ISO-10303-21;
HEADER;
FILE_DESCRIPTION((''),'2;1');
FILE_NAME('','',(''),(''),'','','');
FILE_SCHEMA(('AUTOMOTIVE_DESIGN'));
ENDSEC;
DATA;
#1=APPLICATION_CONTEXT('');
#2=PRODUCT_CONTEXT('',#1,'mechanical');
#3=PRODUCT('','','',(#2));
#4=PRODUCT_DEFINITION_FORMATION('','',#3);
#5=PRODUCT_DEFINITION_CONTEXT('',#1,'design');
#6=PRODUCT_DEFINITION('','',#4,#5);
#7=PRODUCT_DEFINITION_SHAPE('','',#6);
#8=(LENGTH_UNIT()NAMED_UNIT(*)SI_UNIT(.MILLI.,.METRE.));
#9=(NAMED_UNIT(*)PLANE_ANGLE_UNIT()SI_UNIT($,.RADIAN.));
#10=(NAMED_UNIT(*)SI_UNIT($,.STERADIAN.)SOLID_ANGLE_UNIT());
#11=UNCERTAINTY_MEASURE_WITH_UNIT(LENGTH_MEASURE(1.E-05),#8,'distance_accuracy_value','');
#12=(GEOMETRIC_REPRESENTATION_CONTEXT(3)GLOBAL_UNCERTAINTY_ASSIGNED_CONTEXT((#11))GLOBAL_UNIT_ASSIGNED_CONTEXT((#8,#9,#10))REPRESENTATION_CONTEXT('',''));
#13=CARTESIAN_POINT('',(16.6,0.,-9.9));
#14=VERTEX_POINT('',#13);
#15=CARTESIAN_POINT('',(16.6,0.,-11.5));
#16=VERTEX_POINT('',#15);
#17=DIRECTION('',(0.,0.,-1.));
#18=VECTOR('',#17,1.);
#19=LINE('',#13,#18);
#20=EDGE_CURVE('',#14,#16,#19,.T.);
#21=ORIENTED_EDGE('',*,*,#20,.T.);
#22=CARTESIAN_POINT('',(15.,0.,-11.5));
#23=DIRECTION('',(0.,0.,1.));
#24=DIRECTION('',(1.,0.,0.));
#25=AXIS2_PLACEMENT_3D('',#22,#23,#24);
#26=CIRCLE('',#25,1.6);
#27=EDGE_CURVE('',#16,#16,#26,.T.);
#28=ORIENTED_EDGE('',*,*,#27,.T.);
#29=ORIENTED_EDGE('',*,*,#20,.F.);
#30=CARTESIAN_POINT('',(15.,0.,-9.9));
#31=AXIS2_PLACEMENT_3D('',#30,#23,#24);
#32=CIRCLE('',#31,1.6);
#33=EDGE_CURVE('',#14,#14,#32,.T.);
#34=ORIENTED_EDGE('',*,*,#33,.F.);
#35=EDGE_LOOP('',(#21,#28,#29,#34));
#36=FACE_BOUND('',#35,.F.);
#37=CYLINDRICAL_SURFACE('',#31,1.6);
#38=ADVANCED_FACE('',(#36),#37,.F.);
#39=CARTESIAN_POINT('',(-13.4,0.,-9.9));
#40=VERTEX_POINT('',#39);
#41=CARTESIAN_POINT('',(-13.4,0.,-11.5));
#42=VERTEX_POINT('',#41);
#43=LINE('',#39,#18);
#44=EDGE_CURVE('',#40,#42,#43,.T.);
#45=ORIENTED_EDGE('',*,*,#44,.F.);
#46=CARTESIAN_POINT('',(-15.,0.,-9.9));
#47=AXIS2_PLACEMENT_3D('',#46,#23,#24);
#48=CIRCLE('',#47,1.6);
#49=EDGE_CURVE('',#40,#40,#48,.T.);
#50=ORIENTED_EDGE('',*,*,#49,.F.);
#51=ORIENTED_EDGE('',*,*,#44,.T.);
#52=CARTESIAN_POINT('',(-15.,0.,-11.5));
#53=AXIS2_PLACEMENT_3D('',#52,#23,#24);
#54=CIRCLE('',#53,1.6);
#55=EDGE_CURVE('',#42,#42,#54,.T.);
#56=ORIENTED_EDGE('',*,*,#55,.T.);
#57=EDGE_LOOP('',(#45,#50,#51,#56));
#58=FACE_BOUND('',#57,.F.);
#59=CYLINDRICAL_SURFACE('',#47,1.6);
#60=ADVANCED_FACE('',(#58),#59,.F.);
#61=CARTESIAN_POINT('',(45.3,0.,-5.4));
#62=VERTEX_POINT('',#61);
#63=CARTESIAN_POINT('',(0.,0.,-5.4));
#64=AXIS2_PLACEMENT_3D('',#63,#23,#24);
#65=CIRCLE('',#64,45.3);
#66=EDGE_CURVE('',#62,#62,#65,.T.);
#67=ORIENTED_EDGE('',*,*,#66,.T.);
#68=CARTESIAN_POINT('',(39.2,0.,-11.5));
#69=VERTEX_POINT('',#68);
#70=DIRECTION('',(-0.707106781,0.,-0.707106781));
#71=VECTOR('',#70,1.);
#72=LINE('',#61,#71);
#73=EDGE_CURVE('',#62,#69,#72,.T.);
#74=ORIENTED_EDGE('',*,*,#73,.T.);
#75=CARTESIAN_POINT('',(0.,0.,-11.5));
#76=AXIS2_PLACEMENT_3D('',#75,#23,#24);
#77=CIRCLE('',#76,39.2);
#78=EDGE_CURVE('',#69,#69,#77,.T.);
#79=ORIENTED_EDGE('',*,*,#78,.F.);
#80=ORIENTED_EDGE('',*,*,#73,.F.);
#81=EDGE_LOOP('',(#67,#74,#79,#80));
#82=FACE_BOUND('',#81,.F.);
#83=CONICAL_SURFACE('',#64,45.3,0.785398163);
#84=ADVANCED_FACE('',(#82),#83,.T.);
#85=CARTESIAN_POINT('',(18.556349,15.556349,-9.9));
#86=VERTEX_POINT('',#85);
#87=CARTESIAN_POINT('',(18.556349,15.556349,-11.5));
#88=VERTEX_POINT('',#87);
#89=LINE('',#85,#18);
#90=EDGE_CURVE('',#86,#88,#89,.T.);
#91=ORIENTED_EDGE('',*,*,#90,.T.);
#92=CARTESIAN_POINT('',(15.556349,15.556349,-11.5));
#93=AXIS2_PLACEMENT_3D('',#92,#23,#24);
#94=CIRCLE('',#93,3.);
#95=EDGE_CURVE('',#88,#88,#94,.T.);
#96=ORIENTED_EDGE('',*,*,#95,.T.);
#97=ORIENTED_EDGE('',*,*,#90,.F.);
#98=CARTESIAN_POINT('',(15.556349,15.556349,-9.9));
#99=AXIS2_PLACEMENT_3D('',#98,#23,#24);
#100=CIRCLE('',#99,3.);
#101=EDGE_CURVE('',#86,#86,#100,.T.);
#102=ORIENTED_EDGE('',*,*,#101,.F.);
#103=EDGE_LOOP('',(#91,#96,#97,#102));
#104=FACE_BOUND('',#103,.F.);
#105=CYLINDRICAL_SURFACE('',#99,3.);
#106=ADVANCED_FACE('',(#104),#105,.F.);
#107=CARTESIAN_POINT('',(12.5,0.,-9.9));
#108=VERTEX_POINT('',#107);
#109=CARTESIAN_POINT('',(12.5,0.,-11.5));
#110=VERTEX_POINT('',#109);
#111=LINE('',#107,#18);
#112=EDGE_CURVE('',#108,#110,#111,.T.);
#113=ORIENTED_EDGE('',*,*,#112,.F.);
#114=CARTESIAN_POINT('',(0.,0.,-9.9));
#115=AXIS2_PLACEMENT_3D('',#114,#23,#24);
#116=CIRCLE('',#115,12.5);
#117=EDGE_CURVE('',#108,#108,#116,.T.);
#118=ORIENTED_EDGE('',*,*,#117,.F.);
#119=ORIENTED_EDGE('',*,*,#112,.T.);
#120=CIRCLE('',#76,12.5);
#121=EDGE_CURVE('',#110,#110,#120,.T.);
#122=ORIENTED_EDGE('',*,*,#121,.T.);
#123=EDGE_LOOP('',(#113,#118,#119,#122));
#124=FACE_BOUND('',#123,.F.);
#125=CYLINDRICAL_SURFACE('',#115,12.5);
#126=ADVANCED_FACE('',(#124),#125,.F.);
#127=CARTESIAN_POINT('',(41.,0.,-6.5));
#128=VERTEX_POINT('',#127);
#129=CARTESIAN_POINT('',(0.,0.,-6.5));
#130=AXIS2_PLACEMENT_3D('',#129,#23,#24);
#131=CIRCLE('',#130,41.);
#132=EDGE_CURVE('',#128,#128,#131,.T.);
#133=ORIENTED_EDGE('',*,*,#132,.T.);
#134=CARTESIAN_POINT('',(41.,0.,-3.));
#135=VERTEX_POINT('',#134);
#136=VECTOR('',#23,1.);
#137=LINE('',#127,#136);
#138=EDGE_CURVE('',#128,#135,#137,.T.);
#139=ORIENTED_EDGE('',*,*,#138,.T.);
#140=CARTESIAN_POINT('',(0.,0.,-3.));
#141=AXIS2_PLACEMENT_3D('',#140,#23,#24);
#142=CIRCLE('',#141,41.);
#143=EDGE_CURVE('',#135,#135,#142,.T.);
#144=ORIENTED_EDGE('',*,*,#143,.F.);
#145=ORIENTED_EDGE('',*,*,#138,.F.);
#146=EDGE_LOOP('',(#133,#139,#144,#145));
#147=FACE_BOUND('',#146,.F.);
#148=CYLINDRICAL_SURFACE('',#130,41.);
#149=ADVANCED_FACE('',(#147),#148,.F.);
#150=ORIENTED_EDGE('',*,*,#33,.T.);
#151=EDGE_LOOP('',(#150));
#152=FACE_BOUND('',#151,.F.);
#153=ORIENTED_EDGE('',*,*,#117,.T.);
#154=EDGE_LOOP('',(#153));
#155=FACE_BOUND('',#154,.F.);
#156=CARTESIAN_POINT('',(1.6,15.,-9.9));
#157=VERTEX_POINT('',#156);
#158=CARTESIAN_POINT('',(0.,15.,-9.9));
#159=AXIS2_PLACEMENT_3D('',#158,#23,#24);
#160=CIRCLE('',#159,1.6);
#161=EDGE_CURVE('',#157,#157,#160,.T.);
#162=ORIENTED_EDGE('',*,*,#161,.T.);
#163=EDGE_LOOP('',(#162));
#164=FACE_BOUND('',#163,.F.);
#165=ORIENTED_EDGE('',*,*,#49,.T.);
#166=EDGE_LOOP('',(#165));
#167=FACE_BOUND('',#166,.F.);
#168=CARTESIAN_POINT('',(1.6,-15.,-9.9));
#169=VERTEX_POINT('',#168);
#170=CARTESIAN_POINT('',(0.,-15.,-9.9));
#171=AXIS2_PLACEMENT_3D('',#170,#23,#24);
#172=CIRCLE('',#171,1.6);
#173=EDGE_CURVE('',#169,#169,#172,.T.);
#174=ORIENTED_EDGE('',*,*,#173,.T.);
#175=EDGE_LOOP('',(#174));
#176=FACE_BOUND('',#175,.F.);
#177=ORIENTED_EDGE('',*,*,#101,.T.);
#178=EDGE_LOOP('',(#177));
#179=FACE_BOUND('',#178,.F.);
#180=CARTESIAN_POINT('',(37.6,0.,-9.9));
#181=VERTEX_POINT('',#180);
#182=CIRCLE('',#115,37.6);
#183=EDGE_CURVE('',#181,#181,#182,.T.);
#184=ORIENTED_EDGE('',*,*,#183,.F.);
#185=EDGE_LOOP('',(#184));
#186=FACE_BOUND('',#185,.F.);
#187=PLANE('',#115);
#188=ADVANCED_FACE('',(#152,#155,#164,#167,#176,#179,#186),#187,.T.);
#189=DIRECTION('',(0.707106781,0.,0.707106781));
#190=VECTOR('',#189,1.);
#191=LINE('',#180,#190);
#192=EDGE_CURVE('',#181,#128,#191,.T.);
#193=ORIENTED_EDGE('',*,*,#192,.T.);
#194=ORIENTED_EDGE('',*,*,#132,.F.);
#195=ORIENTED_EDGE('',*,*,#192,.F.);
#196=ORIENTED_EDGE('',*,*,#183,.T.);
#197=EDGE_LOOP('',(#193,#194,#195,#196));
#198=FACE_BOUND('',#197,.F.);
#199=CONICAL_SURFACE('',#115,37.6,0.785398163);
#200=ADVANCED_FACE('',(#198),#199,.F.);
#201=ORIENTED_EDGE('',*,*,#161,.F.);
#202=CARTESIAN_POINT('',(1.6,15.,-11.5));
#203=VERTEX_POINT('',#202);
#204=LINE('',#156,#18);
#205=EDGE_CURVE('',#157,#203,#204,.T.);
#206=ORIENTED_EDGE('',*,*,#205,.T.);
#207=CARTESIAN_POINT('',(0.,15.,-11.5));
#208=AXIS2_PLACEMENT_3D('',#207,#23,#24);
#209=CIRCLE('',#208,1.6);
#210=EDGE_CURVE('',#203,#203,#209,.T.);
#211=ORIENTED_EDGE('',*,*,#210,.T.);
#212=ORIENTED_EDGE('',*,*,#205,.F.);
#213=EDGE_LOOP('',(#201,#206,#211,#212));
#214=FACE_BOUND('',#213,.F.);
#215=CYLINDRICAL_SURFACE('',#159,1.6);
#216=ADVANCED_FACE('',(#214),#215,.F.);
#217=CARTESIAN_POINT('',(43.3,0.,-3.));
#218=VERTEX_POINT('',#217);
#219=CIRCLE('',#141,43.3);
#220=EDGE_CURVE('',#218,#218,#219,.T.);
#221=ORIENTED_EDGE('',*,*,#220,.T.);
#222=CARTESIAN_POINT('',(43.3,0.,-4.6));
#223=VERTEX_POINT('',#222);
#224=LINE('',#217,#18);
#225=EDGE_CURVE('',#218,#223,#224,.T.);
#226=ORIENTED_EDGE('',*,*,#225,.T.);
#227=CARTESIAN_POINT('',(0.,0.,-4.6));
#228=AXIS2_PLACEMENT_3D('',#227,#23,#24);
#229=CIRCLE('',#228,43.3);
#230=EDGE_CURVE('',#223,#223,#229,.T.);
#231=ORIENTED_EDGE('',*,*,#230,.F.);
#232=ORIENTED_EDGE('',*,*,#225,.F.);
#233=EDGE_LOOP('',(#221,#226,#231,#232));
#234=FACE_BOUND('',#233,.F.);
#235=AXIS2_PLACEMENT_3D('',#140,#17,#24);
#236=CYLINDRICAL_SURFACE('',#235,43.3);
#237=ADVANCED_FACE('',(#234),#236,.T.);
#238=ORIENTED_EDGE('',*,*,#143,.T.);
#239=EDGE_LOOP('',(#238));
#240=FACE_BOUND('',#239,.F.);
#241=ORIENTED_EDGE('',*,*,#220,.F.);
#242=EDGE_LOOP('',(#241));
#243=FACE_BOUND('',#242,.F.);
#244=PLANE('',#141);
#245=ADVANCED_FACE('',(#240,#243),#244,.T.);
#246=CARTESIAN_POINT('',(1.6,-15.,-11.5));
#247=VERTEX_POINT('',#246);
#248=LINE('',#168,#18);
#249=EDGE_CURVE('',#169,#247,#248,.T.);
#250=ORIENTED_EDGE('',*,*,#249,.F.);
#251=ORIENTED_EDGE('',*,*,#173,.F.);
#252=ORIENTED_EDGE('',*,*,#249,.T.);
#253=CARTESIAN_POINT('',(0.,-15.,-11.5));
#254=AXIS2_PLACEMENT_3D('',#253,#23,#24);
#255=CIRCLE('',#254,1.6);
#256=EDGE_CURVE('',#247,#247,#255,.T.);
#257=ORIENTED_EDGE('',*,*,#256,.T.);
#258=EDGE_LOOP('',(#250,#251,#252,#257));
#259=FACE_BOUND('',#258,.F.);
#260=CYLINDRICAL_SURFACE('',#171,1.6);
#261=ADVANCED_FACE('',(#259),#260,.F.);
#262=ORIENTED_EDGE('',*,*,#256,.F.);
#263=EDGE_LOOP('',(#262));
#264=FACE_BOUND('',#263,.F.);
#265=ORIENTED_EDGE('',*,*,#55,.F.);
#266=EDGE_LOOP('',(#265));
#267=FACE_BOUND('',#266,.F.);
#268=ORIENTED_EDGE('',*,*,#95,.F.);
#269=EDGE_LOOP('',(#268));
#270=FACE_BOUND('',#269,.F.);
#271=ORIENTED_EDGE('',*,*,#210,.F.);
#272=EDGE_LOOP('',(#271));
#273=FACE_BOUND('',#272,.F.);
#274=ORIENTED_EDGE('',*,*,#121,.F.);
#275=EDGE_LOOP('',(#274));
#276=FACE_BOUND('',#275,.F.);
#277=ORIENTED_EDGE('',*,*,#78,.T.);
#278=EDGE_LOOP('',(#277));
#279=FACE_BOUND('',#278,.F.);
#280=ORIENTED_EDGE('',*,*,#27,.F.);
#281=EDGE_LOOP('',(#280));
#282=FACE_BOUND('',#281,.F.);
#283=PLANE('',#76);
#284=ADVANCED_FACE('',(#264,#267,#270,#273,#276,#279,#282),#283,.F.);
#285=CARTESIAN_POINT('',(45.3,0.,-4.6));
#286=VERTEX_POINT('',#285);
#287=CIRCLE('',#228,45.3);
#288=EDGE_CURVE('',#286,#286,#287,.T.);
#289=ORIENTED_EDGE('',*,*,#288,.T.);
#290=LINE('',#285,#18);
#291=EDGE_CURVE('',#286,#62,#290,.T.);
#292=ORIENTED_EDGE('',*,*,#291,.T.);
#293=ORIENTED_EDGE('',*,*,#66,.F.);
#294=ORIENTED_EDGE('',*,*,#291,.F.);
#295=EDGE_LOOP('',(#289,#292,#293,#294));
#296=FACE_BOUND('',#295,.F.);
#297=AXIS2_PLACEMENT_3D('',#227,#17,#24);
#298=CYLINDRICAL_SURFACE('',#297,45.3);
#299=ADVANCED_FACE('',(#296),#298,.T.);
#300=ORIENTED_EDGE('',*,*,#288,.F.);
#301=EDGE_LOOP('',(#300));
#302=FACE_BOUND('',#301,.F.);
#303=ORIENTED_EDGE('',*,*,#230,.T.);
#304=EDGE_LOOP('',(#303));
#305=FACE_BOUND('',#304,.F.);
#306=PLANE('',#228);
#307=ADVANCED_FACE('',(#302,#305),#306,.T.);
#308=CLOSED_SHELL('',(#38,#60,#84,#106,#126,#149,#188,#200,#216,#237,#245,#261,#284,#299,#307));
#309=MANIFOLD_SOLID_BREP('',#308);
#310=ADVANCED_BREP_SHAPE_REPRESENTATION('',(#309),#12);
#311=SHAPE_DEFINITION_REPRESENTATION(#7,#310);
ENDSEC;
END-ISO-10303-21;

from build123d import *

# Parameters (mm, degrees)
SKETCH040_R      = 1.6
SKETCH040_R_2    = 12.5
SKETCH040_R_3    = 3
EXTRUDE004_DEPTH = 10


with BuildPart() as extrude004:
    # Sketch040 → Extrude004 (new body)
    with BuildSketch(Plane.XY.offset(-9.9)):
        with Locations((0, 15)):
            Circle(SKETCH040_R)
        with Locations((0, -15)):
            Circle(SKETCH040_R)
        with Locations((-15, 0)):
            Circle(SKETCH040_R)
        with Locations((15, 0)):
            Circle(SKETCH040_R)
        Circle(SKETCH040_R_2)
        with Locations((15.556349, 15.556349)):
            Circle(SKETCH040_R_3)
    extrude(amount=-EXTRUDE004_DEPTH)


with BuildPart() as cut:
    # Sketch039 → Revolve (revolve)
    with BuildSketch(Plane.XZ):
        Polygon((41, -6.5), (41, -3), (43.3, -3), (43.3, -4.6), (45.3, -4.6), (45.3, -5.4), (39.2, -11.5), (0, -11.5), (0, -9.9), (37.6, -9.9), align=None)
    revolve(axis=Axis((0, 0, 0), (0, 0, 1)))

    # Cut: cut Extrude004
    add(extrude004.part, mode=Mode.SUBTRACT)


solid = cut.part
